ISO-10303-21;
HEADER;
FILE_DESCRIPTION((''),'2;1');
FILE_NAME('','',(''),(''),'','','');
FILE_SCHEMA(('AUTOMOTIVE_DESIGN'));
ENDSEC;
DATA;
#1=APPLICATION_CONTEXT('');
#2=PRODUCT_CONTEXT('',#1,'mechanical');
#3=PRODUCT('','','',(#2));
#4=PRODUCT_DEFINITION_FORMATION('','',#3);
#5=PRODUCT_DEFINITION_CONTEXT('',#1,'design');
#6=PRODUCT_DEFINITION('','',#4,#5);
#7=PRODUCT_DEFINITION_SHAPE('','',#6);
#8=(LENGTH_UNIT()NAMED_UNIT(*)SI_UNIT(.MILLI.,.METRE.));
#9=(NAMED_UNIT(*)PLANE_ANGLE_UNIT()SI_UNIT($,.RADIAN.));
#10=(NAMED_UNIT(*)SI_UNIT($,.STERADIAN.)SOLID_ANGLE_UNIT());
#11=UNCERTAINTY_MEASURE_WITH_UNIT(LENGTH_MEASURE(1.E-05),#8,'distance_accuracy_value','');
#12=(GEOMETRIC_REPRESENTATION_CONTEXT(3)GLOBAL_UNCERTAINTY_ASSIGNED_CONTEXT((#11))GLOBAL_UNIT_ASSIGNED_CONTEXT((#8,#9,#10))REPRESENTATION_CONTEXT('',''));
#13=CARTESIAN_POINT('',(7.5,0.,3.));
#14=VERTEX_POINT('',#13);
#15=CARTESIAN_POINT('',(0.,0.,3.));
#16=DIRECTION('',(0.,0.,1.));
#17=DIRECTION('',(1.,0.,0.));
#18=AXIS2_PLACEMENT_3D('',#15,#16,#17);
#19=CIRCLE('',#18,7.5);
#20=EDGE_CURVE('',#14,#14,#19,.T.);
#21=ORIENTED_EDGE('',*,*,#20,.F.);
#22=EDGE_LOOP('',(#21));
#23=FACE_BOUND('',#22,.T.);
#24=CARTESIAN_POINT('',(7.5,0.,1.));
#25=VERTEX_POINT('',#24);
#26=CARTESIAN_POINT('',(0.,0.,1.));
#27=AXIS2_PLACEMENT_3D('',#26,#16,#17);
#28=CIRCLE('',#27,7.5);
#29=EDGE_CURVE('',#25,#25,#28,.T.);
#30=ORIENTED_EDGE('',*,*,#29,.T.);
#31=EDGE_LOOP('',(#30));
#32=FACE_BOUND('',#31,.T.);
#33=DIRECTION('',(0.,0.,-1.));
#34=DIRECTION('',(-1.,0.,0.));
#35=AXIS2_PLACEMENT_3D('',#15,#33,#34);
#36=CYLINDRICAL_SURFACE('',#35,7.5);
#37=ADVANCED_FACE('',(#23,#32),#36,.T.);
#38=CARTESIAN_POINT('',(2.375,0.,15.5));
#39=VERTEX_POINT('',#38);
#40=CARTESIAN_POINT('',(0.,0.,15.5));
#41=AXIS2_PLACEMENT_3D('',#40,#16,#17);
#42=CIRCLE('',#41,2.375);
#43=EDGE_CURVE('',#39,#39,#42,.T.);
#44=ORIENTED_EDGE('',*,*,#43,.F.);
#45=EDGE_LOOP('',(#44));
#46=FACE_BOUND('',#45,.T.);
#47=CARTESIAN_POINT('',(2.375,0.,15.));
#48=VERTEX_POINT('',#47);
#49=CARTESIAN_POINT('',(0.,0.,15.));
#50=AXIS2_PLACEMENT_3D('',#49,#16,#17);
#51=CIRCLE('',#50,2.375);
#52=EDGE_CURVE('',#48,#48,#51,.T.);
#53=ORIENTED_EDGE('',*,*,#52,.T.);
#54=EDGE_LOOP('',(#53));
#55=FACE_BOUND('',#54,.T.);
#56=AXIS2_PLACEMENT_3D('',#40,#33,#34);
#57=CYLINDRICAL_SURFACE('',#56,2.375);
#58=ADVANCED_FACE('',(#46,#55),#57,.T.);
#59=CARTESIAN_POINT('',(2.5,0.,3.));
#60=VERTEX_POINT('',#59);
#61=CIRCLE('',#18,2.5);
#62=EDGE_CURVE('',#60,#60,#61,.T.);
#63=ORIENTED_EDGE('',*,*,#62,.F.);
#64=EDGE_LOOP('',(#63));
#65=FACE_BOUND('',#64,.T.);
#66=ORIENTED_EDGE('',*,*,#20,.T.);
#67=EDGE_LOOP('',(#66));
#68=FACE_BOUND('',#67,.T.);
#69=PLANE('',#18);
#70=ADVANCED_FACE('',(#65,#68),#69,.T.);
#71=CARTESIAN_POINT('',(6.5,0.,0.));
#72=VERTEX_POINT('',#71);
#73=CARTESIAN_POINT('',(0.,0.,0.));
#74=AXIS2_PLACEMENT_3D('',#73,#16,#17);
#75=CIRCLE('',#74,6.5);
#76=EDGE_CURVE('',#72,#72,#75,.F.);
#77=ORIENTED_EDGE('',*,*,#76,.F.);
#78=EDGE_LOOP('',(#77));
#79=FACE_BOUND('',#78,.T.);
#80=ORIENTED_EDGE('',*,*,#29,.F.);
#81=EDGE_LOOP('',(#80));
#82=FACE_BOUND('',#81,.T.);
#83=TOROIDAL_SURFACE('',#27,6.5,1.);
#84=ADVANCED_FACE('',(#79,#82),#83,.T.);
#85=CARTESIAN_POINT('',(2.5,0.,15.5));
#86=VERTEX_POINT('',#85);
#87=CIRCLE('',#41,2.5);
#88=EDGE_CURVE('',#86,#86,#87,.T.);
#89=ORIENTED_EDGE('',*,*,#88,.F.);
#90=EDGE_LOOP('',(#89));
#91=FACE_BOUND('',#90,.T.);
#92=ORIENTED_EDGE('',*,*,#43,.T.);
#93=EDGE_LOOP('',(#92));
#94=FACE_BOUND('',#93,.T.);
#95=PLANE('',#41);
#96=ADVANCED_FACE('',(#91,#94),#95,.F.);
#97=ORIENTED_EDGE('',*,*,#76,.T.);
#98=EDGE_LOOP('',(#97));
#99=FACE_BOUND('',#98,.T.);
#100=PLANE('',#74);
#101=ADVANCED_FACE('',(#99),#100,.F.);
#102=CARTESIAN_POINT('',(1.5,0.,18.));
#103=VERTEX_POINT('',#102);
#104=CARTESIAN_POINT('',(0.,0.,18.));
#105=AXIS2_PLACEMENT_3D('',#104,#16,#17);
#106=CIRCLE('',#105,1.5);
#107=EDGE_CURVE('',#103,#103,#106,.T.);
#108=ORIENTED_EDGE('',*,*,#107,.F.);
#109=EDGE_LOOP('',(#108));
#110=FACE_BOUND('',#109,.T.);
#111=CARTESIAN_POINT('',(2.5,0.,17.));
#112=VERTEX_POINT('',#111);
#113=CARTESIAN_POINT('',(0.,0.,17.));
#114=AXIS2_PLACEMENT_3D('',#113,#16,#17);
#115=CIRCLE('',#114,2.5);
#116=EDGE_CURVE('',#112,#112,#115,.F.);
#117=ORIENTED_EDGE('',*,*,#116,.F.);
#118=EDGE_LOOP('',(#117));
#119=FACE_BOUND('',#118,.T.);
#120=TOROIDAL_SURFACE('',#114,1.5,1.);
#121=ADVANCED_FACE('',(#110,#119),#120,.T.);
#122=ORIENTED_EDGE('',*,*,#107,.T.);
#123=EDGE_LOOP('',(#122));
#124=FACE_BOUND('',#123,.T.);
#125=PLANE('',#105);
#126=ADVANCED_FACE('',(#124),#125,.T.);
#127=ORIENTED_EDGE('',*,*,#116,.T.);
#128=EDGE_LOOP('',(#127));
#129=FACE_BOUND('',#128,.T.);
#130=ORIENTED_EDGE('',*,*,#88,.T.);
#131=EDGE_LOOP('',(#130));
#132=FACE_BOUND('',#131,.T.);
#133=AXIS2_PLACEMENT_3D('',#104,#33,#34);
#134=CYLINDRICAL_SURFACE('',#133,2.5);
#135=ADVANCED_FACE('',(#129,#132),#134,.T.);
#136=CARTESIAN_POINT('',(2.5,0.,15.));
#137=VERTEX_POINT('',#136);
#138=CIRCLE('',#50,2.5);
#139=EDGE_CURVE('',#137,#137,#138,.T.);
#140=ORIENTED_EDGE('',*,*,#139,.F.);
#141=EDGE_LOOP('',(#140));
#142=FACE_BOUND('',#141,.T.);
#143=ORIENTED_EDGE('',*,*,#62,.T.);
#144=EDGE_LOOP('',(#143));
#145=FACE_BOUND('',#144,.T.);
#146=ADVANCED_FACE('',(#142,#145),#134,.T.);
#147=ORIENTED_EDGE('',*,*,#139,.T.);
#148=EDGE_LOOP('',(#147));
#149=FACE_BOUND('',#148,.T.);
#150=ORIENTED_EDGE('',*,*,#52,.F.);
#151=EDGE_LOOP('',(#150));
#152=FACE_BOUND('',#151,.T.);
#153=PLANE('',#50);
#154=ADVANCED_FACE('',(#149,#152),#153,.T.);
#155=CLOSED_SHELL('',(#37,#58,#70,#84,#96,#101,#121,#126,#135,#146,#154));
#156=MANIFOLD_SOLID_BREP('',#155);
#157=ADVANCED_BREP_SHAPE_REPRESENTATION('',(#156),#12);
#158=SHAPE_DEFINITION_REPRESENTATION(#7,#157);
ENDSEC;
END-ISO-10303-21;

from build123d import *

# Parameters (mm, degrees)
SKETCH1_R               = 7.5
BOSS_EXTRUDE1_DEPTH     = 3
SKETCH3_R               = 2.5
BOSS_EXTRUDE3_DEPTH     = 15
FILLET1_R               = 1
SKETCH4_R               = 12.375
SKETCH4_R_2             = 2.375
CUT_EXTRUDE_THIN1_DEPTH = 0.5


with BuildPart() as part:
    # Sketch1 → Boss-Extrude1 (new body)
    with BuildSketch(Plane.XY):
        Circle(SKETCH1_R)
    extrude(amount=BOSS_EXTRUDE1_DEPTH)

    # Sketch3 → Boss-Extrude3 (add)
    with BuildSketch(Plane.XY.offset(3)):
        Circle(SKETCH3_R)
    extrude(amount=BOSS_EXTRUDE3_DEPTH)

    # Fillet1
    fillet1_edges = [part.edges().sort_by_distance(p)[0] for p in [
        (-7.5, 0, 0),
        (-2.5, 0, 18),
    ]]
    fillet(fillet1_edges, radius=FILLET1_R)

    # Sketch4 → Cut-Extrude-Thin1 (cut)
    with BuildSketch(Plane.XY.offset(15)):
        Circle(SKETCH4_R)
        Circle(SKETCH4_R_2, mode=Mode.SUBTRACT)
    extrude(amount=CUT_EXTRUDE_THIN1_DEPTH, mode=Mode.SUBTRACT)


solid = part.part
